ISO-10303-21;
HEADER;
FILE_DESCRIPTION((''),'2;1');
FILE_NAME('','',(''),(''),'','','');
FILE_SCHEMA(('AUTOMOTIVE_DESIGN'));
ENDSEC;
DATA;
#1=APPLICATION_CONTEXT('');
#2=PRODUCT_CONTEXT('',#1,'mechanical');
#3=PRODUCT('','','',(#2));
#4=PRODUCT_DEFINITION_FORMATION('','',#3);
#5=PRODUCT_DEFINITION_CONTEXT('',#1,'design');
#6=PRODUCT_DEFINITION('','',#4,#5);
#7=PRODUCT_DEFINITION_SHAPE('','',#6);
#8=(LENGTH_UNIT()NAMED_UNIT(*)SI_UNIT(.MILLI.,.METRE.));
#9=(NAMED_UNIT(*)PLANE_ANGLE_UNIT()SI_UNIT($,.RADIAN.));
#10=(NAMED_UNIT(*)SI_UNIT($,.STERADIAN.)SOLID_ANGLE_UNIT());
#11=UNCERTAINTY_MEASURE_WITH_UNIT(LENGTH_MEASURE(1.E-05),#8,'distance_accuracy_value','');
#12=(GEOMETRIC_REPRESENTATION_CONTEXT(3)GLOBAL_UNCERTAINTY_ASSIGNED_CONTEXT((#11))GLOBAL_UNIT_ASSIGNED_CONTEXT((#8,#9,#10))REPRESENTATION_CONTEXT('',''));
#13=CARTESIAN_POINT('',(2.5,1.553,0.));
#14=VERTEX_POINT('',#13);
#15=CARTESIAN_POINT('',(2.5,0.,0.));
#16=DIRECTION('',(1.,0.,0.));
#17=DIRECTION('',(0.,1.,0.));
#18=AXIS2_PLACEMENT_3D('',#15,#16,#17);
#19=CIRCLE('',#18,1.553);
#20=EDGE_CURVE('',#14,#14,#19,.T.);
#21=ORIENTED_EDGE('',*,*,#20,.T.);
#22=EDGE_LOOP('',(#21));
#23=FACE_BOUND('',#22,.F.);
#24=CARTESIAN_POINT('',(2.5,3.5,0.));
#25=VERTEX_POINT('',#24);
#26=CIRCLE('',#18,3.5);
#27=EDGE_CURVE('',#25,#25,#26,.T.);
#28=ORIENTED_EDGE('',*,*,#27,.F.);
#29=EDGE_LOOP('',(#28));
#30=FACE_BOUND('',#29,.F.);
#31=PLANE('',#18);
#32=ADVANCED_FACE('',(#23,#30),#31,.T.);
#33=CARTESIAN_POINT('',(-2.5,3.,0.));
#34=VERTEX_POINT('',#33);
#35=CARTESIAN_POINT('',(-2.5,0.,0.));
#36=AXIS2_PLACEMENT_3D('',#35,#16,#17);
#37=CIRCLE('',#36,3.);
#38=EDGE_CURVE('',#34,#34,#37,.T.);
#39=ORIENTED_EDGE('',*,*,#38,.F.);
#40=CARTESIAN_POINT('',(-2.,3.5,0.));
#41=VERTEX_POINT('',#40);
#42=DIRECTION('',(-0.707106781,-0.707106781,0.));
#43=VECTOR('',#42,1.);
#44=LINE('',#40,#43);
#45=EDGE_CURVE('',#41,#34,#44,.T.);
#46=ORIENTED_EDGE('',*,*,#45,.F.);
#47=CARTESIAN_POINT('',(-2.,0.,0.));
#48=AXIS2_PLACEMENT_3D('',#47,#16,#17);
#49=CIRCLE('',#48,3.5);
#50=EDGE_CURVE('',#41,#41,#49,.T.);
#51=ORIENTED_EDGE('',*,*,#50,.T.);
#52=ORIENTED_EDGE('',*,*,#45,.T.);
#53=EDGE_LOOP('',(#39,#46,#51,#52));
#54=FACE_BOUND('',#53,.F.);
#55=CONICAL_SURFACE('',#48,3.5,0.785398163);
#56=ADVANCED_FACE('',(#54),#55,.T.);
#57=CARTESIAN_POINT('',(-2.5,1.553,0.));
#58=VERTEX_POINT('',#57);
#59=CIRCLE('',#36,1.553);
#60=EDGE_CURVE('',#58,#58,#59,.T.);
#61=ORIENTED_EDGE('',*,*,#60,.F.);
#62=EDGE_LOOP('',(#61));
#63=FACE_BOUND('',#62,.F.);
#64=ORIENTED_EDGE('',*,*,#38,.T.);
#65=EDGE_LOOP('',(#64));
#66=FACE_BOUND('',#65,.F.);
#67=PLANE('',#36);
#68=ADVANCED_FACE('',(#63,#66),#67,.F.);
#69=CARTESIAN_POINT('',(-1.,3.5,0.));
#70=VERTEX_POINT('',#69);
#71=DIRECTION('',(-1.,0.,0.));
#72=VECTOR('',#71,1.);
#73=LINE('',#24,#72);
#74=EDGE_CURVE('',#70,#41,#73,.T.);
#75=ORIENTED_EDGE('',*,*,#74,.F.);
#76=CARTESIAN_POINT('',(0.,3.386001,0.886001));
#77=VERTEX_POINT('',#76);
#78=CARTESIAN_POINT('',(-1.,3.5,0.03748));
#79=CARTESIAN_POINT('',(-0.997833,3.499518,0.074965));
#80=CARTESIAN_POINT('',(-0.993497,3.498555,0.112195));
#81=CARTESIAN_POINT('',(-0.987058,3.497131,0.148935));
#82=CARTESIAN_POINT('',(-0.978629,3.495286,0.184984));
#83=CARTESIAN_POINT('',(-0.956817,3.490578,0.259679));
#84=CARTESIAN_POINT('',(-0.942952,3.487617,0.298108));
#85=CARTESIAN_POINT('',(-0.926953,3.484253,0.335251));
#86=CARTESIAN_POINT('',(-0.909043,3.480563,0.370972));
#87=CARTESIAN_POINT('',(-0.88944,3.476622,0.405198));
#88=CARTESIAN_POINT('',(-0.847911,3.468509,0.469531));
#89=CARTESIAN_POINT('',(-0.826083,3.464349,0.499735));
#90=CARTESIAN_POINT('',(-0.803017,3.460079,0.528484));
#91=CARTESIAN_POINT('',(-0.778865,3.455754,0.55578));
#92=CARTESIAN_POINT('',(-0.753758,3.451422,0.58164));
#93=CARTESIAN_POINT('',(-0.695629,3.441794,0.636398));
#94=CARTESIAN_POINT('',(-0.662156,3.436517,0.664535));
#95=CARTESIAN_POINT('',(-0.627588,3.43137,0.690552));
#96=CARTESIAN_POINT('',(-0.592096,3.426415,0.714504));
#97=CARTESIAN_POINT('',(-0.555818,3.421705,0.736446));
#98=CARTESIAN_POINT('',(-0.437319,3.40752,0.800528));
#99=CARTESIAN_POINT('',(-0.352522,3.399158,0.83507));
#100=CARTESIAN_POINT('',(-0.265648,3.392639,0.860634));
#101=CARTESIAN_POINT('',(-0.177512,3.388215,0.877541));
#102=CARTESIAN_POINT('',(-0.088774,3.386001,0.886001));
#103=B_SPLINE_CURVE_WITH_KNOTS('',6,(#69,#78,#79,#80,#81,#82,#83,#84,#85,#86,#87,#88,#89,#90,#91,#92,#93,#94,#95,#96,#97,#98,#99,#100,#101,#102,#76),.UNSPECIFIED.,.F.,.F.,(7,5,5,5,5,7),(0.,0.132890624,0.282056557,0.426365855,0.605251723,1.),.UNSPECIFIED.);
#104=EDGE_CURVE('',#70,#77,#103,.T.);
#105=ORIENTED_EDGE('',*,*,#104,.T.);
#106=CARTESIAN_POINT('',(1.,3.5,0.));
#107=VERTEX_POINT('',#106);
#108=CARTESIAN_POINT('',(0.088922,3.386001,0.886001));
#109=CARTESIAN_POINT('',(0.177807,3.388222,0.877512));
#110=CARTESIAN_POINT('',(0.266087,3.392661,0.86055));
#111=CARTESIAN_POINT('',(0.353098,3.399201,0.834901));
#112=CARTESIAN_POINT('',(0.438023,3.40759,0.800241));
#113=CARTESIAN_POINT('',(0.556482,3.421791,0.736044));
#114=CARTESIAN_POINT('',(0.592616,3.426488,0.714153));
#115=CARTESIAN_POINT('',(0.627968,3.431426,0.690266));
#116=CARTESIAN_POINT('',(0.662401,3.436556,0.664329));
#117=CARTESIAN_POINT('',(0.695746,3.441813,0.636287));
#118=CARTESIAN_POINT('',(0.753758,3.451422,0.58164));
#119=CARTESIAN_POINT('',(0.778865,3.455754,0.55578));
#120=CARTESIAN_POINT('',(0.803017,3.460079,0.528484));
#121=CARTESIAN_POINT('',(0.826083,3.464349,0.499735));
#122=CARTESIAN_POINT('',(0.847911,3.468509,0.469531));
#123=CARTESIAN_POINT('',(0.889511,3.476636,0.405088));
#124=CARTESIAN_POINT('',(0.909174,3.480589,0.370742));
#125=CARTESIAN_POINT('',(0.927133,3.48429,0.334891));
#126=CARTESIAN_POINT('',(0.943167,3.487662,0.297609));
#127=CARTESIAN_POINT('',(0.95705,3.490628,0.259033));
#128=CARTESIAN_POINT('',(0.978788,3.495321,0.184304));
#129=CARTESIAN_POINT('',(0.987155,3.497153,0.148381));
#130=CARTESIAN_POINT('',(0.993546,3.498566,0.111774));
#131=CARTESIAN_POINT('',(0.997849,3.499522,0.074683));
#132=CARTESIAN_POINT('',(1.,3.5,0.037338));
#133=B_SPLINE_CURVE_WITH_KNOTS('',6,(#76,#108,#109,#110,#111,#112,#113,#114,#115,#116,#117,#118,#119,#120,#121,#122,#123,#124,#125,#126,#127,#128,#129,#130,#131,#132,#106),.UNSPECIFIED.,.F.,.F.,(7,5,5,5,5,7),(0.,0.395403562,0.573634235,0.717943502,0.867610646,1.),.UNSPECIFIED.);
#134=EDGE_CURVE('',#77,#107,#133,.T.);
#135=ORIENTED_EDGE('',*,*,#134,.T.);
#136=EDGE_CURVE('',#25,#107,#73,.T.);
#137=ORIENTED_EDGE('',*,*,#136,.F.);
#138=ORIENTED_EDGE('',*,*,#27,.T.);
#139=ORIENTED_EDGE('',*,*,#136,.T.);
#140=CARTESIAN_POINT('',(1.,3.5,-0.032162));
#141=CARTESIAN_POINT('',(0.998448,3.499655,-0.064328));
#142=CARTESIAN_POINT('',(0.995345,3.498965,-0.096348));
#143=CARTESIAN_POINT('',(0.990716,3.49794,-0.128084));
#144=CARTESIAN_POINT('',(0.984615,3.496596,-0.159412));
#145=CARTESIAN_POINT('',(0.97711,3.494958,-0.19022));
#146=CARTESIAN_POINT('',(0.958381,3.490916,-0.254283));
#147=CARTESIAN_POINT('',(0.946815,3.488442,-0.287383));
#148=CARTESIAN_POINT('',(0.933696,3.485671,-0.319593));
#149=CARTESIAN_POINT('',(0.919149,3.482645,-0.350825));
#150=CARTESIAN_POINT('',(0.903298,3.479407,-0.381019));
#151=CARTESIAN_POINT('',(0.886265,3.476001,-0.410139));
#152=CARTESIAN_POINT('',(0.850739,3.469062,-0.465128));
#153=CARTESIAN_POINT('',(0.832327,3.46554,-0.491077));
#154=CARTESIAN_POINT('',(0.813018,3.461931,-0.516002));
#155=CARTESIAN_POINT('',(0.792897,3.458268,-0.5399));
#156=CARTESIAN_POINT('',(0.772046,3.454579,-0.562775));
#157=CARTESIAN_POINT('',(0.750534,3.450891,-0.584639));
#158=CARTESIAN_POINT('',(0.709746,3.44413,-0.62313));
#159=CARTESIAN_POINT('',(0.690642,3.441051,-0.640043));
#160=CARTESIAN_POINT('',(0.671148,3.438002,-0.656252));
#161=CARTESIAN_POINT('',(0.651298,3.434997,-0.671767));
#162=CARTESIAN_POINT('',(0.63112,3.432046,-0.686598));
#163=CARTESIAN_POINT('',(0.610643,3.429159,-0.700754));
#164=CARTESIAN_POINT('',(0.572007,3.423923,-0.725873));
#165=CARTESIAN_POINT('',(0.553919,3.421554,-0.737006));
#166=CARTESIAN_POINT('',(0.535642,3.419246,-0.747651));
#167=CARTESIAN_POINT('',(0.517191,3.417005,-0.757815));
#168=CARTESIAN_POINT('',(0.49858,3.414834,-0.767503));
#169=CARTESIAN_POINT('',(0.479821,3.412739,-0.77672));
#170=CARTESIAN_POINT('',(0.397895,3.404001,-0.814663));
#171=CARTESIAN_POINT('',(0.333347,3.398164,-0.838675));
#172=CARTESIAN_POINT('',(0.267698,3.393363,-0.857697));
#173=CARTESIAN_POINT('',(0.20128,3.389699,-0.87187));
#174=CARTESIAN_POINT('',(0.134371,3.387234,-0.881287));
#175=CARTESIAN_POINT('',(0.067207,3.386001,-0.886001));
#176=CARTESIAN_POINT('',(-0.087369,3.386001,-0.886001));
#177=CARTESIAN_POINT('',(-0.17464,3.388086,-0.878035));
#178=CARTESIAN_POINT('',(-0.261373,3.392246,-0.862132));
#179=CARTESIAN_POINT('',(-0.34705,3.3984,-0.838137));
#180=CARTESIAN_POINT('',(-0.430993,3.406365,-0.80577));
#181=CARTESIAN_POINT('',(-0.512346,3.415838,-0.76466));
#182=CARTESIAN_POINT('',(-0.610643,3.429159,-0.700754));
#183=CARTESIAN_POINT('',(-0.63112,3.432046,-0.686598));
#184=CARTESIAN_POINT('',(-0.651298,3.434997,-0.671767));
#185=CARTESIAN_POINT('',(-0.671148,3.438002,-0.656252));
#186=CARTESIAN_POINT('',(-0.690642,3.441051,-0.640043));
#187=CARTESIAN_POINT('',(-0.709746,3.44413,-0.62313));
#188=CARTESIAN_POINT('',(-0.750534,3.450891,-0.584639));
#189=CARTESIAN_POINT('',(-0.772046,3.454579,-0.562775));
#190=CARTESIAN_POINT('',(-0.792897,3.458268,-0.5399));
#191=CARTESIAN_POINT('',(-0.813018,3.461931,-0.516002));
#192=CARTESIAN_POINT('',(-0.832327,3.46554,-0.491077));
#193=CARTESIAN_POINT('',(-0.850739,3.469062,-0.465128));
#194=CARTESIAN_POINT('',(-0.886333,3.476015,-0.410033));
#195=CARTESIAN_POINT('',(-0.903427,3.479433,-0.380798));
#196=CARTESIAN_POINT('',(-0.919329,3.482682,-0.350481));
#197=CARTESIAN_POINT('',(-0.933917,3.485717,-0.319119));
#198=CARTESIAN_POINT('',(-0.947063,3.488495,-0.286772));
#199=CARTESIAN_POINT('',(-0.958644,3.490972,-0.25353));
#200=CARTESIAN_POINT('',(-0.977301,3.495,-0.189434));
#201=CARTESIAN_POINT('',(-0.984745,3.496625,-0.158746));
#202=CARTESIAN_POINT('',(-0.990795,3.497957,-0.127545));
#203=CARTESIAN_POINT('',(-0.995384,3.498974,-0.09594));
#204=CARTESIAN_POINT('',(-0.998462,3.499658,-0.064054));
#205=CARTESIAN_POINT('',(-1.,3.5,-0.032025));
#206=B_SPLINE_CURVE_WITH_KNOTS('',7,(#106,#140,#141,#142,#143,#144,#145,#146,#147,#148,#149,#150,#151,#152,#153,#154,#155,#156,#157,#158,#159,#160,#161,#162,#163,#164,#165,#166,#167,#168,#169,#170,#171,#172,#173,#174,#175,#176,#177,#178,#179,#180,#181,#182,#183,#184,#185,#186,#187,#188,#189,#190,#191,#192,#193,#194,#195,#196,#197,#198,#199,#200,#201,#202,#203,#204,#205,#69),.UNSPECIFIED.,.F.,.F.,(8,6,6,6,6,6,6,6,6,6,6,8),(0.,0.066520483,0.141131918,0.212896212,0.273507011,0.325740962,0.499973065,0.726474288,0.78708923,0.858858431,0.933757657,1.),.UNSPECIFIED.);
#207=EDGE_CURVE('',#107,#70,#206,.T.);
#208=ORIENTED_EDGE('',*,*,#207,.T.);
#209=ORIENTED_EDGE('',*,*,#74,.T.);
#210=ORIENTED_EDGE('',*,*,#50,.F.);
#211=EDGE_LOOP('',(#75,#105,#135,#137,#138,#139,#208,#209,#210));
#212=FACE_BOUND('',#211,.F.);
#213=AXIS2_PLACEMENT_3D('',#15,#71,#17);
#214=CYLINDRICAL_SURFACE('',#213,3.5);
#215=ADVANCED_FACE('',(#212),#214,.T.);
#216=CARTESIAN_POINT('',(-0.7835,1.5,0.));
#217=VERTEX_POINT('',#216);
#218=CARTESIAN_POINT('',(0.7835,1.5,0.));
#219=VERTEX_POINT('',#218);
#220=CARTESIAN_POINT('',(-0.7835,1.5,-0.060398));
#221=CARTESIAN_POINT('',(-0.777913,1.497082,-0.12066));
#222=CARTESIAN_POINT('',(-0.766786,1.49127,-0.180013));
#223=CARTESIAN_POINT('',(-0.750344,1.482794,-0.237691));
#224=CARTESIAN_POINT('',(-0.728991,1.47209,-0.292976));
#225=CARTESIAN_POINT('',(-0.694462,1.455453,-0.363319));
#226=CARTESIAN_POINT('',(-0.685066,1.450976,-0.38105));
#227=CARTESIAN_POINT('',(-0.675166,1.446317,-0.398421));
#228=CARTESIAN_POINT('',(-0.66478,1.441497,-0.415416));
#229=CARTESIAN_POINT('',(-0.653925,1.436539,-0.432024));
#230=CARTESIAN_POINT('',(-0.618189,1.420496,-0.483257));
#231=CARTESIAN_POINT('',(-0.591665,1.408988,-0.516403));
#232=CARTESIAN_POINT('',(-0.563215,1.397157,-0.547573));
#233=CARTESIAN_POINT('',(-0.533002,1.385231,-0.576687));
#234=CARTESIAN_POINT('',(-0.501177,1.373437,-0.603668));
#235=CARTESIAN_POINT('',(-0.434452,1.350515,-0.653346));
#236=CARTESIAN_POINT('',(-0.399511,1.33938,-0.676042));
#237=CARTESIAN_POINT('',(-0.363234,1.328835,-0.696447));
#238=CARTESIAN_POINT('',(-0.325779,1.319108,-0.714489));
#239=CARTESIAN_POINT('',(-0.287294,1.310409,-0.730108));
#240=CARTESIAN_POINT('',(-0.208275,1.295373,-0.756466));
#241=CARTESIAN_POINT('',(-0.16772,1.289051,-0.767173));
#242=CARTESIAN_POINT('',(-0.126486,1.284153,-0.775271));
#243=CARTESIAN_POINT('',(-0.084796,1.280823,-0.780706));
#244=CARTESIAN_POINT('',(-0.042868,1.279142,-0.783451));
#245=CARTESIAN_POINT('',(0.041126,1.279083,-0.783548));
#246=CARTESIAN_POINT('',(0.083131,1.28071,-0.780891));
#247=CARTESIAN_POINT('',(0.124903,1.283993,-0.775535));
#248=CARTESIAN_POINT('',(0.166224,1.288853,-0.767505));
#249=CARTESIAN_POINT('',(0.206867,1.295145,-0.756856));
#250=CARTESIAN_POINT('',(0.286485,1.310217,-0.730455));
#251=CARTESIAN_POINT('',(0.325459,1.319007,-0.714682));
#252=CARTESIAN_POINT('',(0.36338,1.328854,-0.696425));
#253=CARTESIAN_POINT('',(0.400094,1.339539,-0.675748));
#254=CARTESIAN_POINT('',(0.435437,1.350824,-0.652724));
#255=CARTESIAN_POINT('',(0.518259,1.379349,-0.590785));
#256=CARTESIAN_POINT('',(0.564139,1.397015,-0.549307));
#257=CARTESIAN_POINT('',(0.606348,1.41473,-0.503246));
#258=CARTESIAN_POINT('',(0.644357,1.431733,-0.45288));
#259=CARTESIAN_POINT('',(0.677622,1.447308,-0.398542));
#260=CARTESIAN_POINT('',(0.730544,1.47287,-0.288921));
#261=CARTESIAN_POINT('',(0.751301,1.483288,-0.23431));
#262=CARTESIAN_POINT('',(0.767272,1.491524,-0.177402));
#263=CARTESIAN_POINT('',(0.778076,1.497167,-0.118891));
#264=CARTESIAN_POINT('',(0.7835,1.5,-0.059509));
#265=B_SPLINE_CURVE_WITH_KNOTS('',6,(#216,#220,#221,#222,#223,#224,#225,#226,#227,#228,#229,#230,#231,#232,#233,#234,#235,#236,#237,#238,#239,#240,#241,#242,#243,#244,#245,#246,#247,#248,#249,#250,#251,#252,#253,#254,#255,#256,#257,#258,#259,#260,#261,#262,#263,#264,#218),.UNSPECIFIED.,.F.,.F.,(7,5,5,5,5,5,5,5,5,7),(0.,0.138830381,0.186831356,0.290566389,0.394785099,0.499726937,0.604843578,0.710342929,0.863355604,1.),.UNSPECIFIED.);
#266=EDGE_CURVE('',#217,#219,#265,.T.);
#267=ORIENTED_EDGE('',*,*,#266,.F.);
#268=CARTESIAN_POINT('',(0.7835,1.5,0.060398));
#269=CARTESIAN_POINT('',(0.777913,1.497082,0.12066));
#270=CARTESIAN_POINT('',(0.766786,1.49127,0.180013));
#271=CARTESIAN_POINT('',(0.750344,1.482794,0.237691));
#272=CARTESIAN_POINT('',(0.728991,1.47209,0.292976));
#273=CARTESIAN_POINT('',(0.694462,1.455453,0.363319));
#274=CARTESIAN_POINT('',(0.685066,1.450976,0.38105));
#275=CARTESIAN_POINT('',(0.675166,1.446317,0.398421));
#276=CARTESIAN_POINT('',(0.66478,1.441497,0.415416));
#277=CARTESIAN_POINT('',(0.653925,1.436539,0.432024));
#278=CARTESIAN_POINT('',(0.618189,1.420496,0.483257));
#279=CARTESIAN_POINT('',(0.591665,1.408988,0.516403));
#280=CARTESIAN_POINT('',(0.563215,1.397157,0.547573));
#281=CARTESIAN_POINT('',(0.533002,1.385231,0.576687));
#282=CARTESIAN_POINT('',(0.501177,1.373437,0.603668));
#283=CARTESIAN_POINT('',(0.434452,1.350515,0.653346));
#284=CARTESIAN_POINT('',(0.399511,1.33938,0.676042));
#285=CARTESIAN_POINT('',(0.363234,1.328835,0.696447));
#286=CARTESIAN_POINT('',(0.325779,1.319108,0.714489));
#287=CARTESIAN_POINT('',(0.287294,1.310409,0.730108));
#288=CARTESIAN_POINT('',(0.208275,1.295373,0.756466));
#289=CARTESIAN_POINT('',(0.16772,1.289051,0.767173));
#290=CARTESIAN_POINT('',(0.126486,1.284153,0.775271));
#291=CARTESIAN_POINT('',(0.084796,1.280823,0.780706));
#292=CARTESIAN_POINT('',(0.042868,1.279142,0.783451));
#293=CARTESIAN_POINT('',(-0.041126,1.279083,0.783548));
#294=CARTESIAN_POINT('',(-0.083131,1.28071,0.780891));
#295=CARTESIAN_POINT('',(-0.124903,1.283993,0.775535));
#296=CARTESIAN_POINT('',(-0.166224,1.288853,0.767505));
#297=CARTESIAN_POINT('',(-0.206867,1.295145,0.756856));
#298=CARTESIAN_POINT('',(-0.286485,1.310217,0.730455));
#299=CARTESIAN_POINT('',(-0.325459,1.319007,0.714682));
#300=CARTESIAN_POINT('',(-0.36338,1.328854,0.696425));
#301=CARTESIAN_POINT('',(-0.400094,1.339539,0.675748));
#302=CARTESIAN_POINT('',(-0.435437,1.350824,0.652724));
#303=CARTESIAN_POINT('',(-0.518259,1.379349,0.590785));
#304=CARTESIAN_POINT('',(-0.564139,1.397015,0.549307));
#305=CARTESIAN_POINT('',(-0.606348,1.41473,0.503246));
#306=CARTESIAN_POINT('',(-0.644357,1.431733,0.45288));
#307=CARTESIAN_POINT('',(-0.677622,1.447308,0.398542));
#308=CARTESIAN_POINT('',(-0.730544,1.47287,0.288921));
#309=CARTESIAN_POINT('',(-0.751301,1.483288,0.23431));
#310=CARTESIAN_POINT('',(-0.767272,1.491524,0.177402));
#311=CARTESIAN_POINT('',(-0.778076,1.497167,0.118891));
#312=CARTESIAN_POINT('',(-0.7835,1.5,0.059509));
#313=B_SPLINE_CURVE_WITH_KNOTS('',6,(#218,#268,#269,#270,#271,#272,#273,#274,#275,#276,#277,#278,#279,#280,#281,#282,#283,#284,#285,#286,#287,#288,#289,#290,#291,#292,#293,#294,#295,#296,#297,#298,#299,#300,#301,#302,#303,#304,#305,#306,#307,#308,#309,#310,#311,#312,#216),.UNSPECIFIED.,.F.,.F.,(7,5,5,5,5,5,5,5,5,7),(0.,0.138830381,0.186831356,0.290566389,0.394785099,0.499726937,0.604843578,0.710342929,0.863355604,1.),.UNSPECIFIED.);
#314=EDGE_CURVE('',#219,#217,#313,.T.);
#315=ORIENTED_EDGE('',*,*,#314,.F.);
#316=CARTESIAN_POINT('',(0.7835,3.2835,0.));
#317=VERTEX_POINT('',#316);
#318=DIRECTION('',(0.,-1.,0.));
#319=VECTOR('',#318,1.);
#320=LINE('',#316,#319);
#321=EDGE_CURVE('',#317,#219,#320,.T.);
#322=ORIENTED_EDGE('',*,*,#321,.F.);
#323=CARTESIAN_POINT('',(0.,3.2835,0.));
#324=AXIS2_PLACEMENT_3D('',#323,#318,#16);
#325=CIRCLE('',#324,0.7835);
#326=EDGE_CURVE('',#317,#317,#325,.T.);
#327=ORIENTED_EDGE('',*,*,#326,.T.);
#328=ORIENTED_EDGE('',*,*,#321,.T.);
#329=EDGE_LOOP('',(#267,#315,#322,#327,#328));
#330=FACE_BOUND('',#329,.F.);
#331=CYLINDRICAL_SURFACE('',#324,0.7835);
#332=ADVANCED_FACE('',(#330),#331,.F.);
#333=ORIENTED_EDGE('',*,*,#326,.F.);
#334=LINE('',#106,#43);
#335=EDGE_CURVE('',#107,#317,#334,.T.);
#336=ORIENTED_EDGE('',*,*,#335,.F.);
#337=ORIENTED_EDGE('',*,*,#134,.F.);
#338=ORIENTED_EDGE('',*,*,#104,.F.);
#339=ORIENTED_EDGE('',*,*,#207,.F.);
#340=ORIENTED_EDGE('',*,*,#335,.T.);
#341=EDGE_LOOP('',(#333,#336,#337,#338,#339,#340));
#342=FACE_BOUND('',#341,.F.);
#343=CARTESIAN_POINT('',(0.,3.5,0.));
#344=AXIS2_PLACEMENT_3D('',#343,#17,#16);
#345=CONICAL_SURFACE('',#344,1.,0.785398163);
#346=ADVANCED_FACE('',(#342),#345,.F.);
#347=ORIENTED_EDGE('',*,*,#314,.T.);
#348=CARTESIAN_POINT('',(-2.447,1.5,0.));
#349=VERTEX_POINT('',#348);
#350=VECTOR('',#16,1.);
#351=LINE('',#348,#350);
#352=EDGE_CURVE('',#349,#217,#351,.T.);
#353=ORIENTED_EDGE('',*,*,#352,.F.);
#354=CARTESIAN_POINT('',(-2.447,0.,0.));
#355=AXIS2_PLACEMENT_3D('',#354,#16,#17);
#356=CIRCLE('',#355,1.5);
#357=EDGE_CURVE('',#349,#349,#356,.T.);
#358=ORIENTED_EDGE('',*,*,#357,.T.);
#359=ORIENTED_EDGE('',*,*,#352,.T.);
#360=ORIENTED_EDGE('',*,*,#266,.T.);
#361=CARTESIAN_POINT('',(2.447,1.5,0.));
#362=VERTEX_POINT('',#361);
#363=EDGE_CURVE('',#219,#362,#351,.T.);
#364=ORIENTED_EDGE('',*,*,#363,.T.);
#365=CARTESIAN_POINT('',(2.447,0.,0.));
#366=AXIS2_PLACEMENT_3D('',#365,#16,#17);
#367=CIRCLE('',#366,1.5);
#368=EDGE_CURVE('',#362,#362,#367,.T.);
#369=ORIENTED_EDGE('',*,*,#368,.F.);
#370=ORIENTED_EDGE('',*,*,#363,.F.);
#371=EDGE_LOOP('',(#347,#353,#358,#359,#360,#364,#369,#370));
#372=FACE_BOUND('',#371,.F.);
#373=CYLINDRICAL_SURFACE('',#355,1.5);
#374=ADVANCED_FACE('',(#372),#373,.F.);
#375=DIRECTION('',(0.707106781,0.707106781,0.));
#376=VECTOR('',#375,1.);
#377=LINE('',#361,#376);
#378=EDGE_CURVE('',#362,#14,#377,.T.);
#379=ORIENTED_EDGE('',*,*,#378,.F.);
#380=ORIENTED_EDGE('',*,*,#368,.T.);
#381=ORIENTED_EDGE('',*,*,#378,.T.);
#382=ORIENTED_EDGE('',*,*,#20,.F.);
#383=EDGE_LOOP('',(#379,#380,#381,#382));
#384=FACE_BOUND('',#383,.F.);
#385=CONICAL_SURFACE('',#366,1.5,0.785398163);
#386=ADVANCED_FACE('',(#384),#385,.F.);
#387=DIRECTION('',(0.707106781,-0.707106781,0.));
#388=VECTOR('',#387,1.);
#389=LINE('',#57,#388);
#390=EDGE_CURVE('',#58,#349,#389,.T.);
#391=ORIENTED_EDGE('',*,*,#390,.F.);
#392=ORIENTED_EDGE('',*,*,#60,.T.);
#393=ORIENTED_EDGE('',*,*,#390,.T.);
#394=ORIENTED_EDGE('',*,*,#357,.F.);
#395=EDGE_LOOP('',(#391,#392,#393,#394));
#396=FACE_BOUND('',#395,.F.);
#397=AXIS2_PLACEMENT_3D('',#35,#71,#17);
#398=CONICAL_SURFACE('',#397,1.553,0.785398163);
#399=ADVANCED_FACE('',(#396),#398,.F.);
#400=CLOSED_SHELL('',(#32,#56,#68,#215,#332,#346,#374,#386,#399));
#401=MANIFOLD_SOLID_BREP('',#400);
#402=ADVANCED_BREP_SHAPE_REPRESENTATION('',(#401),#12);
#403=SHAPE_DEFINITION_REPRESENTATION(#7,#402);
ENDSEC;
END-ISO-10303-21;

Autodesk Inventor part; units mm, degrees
sketch "Skizze_1" plane through (0, 0, 0) normal (0, 0, 1) x (1, 0, 0)
  line L0 (2.5, 0) -> (-2.5, 0)
  line L1 (-2.5, 3) -> (-2.5, 1.553)
  line L2 (-2.5, 1.553) -> (-2.447, 1.5)
  line L3 (-2.447, 1.5) -> (2.447, 1.5)
  line L4 (2.447, 1.5) -> (2.5, 1.553)
  line L5 (2.5, 1.553) -> (2.5, 3.5)
  line L6 (2.5, 3.5) -> (-2, 3.5)
  line L7 (-2, 3.5) -> (-2.5, 3)
revolve "Revolution1" add sketch "Skizze_1" angle 360 about axis through (2.5, 0, 0) along (1, 0, 0)
sketch "Skizze_2" plane through (0, 0, 0) normal (0, 0, 1) x (1, 0, 0)
  line L0 (0, 0.75) -> (0, 3.5)
  line L1 (0, 3.5) -> (1, 3.5)
  line L2 (1, 3.5) -> (0.7835, 3.2835)
  line L3 (0.7835, 3.2835) -> (0.7835, 0.9665)
  line L4 (0.7835, 0.9665) -> (1, 0.75)
  line L5 (1, 0.75) -> (0, 0.75)
  line L6 (0, 0.75) -> (0, 3.5)
revolve "Revolution2" cut sketch "Skizze_2" angle 360 about axis through (0, 0.75, 0) along (0, -1, 0)
thread "Thread1" size "M2x0.4" class "6H" standard "ISO Metric profile" full length
ref_plane "gst_nr_1_XY" through (0, 3.5, 0) normal (0, 1, 0) x (1, 0, 0)
ref_plane "gst_nr_1_YZ" through (0, 3.5, 0) normal (1, 0, 0) x (0, 0, -1)
ref_plane "gst_nr_1_ZX" through (0, 3.5, 0) normal (0, 0, -1) x (0, 1, 0)
properties part number "623890036_1"
